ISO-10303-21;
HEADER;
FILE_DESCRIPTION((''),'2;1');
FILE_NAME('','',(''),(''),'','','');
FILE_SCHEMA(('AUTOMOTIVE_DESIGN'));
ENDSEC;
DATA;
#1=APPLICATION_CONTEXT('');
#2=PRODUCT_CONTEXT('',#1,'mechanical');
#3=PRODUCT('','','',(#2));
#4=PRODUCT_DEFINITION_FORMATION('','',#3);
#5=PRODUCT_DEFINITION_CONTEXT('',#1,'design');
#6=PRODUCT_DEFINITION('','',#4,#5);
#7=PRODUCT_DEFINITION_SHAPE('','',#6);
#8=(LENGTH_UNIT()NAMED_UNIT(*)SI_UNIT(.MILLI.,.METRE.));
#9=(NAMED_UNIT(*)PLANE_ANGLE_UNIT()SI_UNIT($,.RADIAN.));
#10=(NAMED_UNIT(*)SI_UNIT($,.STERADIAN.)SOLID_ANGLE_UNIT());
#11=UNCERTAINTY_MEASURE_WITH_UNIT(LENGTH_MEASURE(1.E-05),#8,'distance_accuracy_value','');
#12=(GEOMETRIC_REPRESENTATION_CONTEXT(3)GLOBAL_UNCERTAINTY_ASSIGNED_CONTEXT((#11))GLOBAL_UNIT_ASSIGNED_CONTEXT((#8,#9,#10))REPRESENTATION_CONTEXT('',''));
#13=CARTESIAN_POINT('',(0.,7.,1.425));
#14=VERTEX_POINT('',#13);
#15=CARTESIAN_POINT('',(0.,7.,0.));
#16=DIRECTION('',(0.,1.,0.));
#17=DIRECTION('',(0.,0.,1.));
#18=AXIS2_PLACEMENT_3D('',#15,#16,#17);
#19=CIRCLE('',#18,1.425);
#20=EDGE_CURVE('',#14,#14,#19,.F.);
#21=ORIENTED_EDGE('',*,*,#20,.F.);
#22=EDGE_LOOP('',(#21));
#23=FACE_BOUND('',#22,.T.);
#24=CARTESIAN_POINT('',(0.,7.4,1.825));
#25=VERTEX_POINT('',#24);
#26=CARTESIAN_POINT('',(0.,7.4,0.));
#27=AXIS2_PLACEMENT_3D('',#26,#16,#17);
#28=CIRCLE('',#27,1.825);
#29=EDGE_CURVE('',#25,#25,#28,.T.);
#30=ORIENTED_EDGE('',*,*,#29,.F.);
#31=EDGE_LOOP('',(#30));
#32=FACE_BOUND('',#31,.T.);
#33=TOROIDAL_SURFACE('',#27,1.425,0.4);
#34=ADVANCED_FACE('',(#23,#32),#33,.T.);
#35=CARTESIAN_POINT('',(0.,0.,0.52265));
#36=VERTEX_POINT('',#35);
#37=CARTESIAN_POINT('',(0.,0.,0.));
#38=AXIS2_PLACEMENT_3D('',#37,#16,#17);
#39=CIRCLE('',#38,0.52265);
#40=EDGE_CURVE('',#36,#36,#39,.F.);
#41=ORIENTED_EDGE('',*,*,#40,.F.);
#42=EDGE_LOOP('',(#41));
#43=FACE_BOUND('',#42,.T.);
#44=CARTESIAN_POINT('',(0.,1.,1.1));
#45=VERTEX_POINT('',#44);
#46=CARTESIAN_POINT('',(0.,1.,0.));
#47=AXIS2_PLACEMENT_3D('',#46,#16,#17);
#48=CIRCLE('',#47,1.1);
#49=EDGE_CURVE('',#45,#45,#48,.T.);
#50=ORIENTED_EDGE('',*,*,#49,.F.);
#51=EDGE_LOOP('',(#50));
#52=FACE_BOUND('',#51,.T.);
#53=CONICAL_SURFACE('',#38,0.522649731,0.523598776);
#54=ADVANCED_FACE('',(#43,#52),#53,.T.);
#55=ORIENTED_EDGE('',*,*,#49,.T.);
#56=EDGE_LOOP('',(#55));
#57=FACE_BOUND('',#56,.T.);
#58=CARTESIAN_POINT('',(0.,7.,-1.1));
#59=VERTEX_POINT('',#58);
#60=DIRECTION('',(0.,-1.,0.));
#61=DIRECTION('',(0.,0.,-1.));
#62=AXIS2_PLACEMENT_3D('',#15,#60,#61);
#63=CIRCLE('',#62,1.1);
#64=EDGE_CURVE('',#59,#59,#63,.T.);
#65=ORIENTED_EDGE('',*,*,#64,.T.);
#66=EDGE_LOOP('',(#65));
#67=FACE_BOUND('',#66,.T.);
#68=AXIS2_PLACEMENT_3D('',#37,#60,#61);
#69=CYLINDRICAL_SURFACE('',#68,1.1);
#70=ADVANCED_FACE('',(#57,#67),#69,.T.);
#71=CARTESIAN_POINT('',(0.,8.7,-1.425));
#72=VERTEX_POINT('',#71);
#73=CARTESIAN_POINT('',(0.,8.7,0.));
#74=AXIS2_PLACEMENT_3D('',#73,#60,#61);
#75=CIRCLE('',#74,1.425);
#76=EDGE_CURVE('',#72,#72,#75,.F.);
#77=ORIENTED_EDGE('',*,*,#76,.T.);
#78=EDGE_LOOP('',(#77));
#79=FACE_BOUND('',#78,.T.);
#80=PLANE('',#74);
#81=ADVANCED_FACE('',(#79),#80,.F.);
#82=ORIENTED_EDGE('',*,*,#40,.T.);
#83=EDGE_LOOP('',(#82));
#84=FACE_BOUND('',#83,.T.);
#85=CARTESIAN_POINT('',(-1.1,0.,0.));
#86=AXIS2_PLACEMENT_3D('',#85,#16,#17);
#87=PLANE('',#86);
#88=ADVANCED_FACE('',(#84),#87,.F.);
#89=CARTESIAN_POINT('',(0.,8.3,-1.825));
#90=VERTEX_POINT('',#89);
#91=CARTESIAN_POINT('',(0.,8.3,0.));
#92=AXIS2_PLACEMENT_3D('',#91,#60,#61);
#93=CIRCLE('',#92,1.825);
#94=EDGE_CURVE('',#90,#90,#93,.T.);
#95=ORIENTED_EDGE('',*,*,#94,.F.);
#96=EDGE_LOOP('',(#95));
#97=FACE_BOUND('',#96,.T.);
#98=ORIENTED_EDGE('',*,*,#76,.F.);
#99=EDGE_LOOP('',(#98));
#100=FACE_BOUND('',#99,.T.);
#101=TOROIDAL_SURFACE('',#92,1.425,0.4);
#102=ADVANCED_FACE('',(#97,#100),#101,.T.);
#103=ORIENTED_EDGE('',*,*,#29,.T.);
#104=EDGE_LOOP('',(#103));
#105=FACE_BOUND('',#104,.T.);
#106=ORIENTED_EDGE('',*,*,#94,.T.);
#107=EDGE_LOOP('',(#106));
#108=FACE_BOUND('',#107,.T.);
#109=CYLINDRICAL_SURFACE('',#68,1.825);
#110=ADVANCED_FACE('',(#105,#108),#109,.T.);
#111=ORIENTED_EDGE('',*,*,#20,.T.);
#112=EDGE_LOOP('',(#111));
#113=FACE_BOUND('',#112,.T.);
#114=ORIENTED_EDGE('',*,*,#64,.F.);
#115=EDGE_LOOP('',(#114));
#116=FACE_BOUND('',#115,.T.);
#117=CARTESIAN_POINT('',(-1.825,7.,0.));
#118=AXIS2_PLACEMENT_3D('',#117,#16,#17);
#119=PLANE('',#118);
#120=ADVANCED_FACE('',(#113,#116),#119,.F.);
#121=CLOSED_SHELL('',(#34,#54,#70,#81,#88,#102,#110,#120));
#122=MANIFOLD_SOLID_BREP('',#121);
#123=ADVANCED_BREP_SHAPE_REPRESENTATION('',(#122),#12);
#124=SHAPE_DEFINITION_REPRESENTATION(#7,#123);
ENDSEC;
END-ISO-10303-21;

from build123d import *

# Parameters (mm, degrees)
FILLET1_R      = 0.4
CHAMFER1_SIZE  = 1
CHAMFER1_SIZE2 = 0.577350269


with BuildPart() as part:
    # Sketch1 → Revolve2 (revolve)
    with BuildSketch(Plane.XY):
        Polygon((0, 0), (0, 8.7), (-1.825, 8.7), (-1.825, 7), (-1.1, 7), (-1.1, 0), align=None)
    revolve(axis=Axis((0, 0, 0), (0, 1, 0)))

    # Fillet1
    fillet1_edges = [part.edges().sort_by_distance(p)[0] for p in [
        (1.825, 7, 0),
        (1.825, 8.7, 0),
    ]]
    fillet(fillet1_edges, radius=FILLET1_R)

    # Chamfer1
    chamfer1_edges = [part.edges().sort_by_distance(p)[0] for p in [
        (1.1, 0, 0),
    ]]
    chamfer1_side = [part.faces().sort_by_distance(p)[0] for p in [
        (1.1, 3.5, 0),
    ]]
    chamfer(chamfer1_edges, length=CHAMFER1_SIZE, length2=CHAMFER1_SIZE2, reference=chamfer1_side[0])


solid = part.part
